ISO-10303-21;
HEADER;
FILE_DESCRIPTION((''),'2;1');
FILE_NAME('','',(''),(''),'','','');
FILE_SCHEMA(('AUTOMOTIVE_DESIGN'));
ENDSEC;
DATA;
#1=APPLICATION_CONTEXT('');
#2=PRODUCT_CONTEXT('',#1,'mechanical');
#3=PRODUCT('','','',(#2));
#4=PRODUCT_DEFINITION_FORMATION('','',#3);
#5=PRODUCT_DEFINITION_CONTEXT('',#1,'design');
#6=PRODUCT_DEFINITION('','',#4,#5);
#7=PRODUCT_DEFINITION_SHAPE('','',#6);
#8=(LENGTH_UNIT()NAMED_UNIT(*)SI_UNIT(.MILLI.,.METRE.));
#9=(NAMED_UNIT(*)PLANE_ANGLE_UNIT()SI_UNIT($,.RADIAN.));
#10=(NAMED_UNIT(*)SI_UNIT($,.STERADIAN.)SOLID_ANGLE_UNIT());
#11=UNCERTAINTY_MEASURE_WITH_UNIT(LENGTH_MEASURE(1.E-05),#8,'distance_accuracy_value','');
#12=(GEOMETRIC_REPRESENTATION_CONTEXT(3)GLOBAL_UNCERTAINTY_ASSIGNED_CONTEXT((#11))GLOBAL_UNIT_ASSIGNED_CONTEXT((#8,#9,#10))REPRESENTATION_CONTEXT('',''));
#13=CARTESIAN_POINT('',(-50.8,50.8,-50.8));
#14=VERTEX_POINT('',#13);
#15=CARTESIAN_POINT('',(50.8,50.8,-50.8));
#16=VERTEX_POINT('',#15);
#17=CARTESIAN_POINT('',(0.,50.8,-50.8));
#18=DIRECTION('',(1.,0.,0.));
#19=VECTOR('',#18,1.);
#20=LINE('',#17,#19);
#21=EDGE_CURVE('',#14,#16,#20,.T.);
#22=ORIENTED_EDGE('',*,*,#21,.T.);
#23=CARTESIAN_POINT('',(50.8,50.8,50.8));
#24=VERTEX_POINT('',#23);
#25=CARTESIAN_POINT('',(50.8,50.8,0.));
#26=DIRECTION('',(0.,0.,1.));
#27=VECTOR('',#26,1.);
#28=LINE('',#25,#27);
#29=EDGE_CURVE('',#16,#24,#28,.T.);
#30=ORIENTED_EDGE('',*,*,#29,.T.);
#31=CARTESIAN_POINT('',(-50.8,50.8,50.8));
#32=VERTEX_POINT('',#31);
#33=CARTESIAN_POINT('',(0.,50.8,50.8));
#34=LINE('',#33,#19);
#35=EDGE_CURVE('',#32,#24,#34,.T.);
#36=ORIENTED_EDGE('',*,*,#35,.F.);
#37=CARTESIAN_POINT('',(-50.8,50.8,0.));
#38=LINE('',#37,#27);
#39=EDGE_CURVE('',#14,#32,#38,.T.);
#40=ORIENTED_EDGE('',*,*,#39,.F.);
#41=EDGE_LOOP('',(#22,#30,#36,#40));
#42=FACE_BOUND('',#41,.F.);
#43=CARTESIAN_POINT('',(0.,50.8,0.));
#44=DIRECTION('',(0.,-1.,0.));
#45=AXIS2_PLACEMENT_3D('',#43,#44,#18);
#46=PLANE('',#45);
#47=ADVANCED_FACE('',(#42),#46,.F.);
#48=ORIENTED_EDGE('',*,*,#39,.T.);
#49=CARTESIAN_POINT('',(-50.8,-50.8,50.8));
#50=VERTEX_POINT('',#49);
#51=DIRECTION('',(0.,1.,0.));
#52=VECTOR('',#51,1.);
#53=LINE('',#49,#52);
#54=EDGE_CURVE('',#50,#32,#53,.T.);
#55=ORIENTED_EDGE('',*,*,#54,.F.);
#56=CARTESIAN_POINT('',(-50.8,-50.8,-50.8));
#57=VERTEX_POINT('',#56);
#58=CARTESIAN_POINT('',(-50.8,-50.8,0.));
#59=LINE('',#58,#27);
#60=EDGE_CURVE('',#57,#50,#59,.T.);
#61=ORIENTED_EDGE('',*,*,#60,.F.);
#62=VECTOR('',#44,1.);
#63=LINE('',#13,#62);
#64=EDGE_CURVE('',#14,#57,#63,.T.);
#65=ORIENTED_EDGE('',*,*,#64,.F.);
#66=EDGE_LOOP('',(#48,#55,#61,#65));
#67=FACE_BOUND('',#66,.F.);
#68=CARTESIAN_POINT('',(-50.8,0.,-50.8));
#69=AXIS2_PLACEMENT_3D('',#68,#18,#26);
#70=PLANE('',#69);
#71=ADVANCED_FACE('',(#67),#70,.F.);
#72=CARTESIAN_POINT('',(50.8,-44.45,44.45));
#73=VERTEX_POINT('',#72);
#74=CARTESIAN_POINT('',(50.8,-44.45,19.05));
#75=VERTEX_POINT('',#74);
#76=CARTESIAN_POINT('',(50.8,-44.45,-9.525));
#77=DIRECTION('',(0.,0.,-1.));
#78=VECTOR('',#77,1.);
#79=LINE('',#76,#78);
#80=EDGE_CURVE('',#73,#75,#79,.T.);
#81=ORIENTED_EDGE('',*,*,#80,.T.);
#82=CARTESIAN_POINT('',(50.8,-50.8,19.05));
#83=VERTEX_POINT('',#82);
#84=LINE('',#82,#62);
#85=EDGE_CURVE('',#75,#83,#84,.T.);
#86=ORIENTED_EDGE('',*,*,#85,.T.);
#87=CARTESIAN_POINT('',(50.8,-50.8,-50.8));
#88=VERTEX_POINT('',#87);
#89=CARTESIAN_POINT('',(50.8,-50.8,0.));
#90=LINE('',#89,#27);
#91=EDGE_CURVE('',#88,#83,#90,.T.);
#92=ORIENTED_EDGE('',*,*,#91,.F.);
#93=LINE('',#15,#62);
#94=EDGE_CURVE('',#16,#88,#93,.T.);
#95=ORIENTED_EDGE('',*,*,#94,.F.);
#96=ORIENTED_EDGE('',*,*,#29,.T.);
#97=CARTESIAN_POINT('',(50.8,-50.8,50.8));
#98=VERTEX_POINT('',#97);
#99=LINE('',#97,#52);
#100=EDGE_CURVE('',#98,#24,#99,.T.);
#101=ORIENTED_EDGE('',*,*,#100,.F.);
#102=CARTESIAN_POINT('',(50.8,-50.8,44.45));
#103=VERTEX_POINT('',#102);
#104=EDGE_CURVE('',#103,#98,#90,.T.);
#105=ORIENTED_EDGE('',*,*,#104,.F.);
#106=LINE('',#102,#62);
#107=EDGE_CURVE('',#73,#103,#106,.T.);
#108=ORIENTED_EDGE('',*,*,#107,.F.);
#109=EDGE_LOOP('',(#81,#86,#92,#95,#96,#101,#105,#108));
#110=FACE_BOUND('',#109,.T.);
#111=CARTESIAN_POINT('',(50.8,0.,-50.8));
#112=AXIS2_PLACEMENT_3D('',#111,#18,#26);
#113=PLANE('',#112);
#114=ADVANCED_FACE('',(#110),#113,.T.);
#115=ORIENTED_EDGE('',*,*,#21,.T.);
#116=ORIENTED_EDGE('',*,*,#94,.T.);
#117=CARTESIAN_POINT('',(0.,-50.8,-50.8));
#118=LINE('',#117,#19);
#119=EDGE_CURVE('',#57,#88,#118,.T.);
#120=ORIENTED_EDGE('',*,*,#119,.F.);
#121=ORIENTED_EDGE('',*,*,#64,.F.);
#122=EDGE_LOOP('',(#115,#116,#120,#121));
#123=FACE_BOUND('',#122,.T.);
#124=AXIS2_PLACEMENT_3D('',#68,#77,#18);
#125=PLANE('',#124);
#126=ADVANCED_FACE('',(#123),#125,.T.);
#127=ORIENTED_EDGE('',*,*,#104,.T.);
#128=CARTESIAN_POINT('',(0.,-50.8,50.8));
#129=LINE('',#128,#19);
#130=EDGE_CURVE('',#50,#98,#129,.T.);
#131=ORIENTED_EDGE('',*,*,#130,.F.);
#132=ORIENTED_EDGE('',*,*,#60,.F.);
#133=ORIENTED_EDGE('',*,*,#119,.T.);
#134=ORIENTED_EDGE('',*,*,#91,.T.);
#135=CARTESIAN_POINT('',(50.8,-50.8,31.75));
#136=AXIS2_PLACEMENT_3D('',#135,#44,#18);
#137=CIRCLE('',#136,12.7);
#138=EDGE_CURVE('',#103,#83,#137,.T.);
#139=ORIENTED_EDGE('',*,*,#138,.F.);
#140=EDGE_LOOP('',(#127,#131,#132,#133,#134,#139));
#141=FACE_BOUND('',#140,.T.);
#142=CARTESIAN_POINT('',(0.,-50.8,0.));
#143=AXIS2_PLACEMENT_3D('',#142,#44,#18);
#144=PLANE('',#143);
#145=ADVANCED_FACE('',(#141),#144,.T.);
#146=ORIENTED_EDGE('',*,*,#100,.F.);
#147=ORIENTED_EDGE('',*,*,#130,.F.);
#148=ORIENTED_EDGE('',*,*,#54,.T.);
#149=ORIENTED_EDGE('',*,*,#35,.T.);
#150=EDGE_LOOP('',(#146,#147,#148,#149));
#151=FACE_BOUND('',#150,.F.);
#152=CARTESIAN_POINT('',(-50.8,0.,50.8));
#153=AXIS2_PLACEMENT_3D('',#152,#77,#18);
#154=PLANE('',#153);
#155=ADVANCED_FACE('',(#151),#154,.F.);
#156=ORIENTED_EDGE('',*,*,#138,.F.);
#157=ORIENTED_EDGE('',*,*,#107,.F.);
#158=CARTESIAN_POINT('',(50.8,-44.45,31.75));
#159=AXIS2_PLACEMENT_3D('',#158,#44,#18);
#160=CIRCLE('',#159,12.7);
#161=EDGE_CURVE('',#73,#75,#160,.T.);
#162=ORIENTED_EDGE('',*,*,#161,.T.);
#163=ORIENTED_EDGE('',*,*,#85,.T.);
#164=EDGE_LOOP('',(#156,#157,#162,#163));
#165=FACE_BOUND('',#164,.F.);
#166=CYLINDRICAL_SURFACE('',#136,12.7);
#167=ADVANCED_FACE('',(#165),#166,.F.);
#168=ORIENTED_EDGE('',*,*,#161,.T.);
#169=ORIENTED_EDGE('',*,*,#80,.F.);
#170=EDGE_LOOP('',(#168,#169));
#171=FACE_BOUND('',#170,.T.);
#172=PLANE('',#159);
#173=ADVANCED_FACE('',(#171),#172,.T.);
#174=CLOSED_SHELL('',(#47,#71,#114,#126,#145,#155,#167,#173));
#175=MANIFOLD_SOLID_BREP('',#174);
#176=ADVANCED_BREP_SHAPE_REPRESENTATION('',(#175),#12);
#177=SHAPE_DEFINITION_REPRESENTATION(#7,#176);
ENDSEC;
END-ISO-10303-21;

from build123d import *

# Parameters (mm, degrees)
F0_W     = 101.6
F0_H     = 101.6
F1_DEPTH = 50.8
F2_R     = 12.7
F3_DEPTH = 6.35


with BuildPart() as f1:
    # F0 (on Front) → F1 (new body, symmetric)
    with BuildSketch(Plane.XZ):
        Rectangle(F0_W, F0_H)
    extrude(amount=F1_DEPTH, both=True)

    # F2 (on face) → F3 (cut)
    with BuildSketch(Plane.XZ.offset(50.8)):
        with Locations((50.8, 31.75)):
            Circle(F2_R)
    extrude(amount=-F3_DEPTH, mode=Mode.SUBTRACT)


solid = f1.part
